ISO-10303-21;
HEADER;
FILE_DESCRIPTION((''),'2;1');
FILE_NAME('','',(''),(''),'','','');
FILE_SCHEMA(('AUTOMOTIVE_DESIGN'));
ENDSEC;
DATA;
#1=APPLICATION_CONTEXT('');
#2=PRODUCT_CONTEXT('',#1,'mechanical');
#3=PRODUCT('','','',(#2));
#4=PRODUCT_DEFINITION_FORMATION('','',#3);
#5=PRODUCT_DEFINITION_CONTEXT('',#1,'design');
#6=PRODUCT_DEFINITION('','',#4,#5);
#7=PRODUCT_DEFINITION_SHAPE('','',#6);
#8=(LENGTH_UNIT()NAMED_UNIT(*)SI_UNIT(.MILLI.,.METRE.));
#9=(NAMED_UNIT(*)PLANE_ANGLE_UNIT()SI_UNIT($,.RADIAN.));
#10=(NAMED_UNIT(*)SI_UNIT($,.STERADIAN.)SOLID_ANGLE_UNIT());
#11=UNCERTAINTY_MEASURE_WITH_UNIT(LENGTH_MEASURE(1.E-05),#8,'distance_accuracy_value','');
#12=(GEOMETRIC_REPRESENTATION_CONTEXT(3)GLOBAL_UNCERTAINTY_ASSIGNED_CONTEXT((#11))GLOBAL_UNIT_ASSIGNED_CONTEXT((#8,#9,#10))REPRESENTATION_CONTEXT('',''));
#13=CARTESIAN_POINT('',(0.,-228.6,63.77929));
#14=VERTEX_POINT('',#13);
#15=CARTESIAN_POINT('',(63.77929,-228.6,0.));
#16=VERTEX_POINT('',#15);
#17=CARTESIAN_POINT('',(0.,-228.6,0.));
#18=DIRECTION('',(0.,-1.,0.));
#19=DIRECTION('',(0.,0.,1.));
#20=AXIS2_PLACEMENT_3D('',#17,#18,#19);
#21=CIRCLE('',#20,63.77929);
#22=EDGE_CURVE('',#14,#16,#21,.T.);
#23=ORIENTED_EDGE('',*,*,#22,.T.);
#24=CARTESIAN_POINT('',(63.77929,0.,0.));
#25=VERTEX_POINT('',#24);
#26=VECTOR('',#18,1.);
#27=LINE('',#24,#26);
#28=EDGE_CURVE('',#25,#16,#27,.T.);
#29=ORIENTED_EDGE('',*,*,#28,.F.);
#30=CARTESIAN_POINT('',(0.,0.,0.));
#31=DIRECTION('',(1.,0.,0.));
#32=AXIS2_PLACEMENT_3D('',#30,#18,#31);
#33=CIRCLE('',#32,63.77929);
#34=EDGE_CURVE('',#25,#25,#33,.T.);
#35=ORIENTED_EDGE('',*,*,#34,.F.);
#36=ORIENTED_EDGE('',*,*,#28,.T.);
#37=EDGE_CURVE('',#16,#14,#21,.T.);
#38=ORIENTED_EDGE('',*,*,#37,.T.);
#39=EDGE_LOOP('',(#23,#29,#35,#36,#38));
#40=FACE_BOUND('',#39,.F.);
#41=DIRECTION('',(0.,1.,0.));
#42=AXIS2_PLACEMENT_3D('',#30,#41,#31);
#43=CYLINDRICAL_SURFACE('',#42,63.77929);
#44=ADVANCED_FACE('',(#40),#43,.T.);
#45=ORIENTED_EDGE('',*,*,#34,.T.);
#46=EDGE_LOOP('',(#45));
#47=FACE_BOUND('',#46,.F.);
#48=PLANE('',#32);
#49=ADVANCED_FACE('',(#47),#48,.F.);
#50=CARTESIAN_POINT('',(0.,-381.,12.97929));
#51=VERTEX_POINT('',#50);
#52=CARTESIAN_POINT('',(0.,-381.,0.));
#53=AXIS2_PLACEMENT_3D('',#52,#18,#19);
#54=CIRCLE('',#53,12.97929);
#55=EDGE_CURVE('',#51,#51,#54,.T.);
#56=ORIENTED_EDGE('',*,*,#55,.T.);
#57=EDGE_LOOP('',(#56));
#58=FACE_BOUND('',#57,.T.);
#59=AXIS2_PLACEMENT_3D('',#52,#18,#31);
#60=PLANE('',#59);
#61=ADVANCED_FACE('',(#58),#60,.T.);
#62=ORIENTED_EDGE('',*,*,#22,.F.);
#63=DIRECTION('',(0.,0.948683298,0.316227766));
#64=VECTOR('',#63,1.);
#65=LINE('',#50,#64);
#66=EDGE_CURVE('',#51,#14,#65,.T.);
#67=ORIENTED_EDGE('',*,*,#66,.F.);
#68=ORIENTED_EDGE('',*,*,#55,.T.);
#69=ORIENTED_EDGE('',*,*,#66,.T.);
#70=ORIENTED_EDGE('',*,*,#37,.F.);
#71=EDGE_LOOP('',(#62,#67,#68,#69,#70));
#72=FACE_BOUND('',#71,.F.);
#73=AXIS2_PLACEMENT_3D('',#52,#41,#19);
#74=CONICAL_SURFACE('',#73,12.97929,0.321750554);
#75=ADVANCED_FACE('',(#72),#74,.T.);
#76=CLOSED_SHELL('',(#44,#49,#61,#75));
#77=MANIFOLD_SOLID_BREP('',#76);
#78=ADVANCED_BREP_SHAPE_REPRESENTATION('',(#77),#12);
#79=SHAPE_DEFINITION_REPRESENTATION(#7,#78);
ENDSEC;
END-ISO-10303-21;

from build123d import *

# Parameters (mm, degrees)
F0_R     = 63.77929
F1_DEPTH = 381


with BuildPart() as f1:
    # F0 (on Front) → F1 (new body)
    with BuildSketch(Plane.XZ):
        Circle(F0_R)
    extrude(amount=F1_DEPTH)

    # F2 (on Right) → F3 (revolve, cut)
    with BuildSketch(Plane.YZ):
        Polygon((-381, 63.77929), (-381, 12.97929), (-228.6, 63.77929), align=None)
    revolve(axis=Axis((0, -230.445445, 0), (0, -1, 0)), mode=Mode.SUBTRACT)


solid = f1.part
